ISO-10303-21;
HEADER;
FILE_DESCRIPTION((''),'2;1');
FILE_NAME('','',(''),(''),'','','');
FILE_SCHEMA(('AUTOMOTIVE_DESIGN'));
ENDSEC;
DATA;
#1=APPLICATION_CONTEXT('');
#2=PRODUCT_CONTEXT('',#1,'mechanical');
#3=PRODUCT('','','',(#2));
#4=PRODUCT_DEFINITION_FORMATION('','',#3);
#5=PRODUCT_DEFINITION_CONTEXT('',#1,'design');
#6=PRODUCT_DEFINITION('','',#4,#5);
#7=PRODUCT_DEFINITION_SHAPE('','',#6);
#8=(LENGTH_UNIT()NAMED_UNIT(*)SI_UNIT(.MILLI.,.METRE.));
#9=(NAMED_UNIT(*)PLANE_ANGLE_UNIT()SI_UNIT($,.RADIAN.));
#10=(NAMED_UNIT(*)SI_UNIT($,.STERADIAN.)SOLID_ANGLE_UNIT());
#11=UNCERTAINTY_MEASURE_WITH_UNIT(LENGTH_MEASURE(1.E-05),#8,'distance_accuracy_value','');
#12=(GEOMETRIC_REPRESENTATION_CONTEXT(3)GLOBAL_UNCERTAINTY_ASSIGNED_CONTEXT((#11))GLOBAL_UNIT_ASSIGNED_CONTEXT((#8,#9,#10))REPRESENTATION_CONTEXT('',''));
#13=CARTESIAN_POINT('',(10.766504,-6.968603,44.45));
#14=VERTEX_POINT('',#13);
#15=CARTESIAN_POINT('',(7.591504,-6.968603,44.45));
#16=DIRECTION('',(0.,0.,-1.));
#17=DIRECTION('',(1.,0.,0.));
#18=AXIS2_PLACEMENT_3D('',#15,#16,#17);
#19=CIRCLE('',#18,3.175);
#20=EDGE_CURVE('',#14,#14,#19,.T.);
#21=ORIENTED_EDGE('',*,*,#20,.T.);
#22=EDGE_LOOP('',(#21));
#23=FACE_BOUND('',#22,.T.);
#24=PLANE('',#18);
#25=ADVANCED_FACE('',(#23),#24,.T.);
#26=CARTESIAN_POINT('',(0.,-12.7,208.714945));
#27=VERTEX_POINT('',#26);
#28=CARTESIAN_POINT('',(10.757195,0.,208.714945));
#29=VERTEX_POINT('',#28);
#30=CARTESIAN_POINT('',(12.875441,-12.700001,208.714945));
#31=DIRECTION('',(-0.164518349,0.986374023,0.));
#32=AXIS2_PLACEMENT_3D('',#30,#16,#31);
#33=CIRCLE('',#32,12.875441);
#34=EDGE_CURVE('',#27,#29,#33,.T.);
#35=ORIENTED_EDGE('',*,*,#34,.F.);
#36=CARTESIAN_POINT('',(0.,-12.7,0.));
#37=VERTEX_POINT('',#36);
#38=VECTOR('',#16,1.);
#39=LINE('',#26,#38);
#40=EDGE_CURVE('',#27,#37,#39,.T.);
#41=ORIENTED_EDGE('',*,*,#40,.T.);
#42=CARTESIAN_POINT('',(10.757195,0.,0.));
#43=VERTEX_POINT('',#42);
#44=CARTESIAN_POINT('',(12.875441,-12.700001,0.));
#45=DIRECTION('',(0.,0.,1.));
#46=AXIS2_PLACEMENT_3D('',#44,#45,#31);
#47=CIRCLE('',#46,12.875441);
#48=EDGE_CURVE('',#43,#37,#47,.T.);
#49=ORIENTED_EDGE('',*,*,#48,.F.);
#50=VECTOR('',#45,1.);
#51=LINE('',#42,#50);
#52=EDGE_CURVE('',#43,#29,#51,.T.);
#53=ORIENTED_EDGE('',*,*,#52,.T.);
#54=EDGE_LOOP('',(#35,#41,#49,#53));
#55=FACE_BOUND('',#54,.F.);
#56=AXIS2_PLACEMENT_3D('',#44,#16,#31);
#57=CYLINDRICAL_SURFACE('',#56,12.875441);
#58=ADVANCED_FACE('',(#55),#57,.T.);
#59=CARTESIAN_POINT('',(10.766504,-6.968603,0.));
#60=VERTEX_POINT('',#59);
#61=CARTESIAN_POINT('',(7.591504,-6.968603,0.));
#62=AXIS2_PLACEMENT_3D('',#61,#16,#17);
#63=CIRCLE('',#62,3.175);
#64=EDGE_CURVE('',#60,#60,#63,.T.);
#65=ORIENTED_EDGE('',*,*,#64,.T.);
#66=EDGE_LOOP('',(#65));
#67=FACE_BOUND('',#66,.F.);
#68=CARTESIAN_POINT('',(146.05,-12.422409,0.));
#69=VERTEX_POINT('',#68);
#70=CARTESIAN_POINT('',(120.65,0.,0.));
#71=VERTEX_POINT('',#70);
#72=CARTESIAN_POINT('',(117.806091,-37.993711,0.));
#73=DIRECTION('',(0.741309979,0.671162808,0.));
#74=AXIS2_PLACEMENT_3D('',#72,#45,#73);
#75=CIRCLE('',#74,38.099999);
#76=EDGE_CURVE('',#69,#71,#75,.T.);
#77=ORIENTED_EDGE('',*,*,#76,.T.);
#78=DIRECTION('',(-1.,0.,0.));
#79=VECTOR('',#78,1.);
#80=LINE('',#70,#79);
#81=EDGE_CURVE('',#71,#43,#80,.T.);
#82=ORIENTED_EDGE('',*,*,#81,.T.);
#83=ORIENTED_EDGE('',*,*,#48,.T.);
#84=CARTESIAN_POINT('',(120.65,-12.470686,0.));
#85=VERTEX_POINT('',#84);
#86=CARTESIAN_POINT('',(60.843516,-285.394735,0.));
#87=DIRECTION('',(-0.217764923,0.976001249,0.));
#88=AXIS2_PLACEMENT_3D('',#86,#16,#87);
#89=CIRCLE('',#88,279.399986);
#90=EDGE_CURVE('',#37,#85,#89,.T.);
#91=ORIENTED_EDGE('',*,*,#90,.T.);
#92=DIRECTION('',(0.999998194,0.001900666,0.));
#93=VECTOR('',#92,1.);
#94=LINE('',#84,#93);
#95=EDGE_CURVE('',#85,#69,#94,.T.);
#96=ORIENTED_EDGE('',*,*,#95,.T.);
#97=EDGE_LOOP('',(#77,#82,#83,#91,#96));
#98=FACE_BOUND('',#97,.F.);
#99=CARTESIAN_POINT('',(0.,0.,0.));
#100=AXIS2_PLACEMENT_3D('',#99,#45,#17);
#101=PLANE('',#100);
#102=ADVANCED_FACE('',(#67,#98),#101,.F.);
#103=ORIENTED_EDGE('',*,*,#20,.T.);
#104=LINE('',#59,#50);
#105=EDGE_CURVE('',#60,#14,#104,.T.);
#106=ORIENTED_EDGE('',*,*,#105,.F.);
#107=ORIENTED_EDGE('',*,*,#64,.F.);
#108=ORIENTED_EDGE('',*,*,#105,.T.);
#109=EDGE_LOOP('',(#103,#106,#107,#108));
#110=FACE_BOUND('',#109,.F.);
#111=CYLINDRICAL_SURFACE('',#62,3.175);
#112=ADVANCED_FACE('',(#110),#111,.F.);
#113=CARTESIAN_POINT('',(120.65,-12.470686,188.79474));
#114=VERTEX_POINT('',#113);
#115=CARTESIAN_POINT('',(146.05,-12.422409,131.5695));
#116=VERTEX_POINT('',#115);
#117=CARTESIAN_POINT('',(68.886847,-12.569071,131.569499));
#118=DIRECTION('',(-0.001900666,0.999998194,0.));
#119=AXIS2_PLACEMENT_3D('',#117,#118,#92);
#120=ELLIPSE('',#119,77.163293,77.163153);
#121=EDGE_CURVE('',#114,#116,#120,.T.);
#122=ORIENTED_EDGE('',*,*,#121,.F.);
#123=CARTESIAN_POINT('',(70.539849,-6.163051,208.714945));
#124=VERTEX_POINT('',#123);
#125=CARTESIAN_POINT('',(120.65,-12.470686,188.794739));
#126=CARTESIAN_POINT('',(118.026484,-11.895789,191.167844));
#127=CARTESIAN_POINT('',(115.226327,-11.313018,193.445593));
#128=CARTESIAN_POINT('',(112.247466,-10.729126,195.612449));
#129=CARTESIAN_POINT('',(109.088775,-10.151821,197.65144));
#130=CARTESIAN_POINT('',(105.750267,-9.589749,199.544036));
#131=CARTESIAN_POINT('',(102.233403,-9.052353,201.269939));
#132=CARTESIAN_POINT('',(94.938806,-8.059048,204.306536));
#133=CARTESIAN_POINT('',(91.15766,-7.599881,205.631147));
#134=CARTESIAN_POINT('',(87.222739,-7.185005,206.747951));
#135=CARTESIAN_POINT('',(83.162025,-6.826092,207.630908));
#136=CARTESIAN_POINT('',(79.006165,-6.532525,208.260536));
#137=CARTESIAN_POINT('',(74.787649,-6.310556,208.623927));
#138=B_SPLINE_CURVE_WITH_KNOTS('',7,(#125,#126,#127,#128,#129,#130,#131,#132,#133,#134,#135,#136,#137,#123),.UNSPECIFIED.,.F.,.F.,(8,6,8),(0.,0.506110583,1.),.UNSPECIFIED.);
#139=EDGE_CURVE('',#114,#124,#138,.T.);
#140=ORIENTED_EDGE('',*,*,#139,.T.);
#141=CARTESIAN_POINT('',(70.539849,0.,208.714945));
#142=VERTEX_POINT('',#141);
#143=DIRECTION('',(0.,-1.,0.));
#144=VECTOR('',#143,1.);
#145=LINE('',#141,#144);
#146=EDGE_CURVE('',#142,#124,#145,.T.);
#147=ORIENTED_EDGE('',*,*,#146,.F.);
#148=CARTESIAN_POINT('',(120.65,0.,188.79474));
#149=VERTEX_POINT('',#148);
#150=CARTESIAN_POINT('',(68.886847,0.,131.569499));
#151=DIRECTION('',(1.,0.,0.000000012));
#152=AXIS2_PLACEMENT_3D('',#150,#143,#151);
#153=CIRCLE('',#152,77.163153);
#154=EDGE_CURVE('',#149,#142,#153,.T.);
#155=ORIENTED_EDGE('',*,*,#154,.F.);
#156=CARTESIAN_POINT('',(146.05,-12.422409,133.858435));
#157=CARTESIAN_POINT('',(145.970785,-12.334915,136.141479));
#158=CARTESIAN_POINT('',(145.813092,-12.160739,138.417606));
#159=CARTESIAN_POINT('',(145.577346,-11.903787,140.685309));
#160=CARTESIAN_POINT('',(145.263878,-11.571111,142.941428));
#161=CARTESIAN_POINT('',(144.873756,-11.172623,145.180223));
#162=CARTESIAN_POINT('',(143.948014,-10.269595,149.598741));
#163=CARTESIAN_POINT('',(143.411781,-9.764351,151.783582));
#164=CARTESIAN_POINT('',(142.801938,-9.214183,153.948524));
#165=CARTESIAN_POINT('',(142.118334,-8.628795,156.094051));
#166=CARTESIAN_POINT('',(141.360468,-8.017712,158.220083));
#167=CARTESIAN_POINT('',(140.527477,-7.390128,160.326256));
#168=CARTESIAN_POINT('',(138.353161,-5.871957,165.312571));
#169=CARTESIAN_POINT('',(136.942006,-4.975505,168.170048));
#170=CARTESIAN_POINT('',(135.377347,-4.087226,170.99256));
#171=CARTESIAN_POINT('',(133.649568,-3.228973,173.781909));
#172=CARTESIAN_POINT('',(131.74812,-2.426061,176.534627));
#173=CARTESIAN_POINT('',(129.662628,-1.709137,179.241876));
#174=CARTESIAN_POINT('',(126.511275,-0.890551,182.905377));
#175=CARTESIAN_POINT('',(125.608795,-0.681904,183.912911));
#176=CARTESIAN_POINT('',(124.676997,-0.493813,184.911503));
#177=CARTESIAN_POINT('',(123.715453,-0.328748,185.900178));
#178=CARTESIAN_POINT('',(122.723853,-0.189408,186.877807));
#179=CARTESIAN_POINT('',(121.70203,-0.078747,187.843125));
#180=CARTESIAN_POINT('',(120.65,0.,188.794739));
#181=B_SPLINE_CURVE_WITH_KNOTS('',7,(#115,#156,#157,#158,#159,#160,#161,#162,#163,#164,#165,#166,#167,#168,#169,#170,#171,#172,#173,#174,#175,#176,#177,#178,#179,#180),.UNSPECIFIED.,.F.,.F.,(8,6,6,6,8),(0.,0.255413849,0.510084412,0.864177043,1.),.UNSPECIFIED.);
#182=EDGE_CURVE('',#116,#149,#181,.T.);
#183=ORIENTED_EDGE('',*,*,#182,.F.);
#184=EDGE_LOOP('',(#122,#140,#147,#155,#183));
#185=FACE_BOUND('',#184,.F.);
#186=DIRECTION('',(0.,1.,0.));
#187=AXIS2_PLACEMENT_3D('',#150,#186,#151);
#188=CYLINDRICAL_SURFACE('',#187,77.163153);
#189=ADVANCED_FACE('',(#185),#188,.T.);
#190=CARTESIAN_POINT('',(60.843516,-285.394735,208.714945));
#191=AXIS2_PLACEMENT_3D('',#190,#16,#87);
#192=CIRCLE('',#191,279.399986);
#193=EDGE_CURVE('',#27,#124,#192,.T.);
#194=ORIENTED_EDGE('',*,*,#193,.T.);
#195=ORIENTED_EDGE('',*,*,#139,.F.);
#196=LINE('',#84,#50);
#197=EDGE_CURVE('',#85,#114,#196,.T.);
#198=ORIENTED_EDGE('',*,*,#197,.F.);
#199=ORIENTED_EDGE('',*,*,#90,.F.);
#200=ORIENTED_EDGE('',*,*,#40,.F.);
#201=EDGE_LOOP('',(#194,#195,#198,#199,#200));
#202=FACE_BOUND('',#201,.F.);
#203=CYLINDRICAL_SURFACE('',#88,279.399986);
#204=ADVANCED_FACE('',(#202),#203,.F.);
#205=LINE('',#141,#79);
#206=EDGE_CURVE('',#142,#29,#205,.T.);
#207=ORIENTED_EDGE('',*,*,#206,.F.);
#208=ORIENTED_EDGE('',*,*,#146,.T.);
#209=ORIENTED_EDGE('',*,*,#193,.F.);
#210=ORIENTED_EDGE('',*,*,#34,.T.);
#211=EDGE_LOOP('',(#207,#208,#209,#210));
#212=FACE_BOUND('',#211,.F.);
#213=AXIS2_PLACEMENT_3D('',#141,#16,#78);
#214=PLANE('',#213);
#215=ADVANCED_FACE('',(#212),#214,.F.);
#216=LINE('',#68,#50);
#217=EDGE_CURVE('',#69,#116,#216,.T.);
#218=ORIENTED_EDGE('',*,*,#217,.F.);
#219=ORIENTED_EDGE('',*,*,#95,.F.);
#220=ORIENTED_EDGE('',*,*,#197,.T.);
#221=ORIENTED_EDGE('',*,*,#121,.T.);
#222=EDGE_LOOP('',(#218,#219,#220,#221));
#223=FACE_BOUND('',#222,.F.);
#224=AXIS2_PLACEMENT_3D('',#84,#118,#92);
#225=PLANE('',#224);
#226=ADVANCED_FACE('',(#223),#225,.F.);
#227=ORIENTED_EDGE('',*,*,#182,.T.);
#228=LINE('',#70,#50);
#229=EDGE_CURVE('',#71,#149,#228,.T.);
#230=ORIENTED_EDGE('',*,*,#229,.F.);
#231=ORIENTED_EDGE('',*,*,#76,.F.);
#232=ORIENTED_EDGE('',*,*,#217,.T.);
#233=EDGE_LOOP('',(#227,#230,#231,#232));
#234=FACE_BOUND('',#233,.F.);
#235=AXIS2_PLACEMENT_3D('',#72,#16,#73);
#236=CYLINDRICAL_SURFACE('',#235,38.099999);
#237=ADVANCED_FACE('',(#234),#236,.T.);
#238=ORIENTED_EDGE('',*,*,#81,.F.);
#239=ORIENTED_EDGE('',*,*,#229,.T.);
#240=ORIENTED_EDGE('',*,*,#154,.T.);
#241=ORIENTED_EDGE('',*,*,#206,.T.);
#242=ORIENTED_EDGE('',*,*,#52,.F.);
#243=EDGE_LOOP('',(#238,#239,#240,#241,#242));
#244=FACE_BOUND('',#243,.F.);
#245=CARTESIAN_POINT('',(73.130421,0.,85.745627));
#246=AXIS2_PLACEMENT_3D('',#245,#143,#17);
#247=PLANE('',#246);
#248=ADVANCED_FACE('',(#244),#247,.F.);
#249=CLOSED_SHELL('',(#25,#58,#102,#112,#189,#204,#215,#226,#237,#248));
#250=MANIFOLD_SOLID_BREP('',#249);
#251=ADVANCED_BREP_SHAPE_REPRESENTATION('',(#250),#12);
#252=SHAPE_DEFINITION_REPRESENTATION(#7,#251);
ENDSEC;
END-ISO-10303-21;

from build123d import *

# Parameters (mm, degrees)
F1_DEPTH = 12.7
F3_DEPTH = 2819.4
F4_R     = 3.175
F5_DEPTH = 44.45


with BuildPart() as f1:
    # F0 (on Front) → F1 (new body)
    with BuildSketch(Plane.XZ):
        Polygon((0, 127), (0, 0), (146.05, 0), (146.05, 131.5695), (70.539849, 208.714945), align=None)
        Polygon((0, 208.714945), (0, 127), (70.539849, 208.714945), align=None)
        with BuildLine():
            Line((70.539849, 208.714945), (146.05, 131.5695))
            ThreePointArc((146.05, 131.5695), (124.030763, 185.5445), (70.539849, 208.714945))
        make_face()
    extrude(amount=F1_DEPTH)

    # F2 (on Top) → F3 (intersect)
    with BuildSketch(Plane.XY):
        with BuildLine():
            ThreePointArc((10.757195, 0), (3.050719, -4.378233), (0, -12.7))
            ThreePointArc((0, -12.7), (60.312475, -5.995254), (120.65, -12.470686))
            Line((120.65, -12.470686), (146.05, -12.422409))
            ThreePointArc((146.05, -12.422409), (134.545033, -3.767731), (120.65, 0))
            Line((120.65, 0), (14.993685, 0))
            Line((14.993685, 0), (10.757195, 0))
        make_face()
    extrude(amount=F3_DEPTH, mode=Mode.INTERSECT)

    # F4 (on face) → F5 (cut)
    with BuildSketch(Plane(origin=(0, 0, 0), x_dir=(1, 0, 0), z_dir=(0, 0, -1))):
        with Locations((7.591504, 6.968603)):
            Circle(F4_R)
    extrude(amount=-F5_DEPTH, mode=Mode.SUBTRACT)


solid = f1.part
